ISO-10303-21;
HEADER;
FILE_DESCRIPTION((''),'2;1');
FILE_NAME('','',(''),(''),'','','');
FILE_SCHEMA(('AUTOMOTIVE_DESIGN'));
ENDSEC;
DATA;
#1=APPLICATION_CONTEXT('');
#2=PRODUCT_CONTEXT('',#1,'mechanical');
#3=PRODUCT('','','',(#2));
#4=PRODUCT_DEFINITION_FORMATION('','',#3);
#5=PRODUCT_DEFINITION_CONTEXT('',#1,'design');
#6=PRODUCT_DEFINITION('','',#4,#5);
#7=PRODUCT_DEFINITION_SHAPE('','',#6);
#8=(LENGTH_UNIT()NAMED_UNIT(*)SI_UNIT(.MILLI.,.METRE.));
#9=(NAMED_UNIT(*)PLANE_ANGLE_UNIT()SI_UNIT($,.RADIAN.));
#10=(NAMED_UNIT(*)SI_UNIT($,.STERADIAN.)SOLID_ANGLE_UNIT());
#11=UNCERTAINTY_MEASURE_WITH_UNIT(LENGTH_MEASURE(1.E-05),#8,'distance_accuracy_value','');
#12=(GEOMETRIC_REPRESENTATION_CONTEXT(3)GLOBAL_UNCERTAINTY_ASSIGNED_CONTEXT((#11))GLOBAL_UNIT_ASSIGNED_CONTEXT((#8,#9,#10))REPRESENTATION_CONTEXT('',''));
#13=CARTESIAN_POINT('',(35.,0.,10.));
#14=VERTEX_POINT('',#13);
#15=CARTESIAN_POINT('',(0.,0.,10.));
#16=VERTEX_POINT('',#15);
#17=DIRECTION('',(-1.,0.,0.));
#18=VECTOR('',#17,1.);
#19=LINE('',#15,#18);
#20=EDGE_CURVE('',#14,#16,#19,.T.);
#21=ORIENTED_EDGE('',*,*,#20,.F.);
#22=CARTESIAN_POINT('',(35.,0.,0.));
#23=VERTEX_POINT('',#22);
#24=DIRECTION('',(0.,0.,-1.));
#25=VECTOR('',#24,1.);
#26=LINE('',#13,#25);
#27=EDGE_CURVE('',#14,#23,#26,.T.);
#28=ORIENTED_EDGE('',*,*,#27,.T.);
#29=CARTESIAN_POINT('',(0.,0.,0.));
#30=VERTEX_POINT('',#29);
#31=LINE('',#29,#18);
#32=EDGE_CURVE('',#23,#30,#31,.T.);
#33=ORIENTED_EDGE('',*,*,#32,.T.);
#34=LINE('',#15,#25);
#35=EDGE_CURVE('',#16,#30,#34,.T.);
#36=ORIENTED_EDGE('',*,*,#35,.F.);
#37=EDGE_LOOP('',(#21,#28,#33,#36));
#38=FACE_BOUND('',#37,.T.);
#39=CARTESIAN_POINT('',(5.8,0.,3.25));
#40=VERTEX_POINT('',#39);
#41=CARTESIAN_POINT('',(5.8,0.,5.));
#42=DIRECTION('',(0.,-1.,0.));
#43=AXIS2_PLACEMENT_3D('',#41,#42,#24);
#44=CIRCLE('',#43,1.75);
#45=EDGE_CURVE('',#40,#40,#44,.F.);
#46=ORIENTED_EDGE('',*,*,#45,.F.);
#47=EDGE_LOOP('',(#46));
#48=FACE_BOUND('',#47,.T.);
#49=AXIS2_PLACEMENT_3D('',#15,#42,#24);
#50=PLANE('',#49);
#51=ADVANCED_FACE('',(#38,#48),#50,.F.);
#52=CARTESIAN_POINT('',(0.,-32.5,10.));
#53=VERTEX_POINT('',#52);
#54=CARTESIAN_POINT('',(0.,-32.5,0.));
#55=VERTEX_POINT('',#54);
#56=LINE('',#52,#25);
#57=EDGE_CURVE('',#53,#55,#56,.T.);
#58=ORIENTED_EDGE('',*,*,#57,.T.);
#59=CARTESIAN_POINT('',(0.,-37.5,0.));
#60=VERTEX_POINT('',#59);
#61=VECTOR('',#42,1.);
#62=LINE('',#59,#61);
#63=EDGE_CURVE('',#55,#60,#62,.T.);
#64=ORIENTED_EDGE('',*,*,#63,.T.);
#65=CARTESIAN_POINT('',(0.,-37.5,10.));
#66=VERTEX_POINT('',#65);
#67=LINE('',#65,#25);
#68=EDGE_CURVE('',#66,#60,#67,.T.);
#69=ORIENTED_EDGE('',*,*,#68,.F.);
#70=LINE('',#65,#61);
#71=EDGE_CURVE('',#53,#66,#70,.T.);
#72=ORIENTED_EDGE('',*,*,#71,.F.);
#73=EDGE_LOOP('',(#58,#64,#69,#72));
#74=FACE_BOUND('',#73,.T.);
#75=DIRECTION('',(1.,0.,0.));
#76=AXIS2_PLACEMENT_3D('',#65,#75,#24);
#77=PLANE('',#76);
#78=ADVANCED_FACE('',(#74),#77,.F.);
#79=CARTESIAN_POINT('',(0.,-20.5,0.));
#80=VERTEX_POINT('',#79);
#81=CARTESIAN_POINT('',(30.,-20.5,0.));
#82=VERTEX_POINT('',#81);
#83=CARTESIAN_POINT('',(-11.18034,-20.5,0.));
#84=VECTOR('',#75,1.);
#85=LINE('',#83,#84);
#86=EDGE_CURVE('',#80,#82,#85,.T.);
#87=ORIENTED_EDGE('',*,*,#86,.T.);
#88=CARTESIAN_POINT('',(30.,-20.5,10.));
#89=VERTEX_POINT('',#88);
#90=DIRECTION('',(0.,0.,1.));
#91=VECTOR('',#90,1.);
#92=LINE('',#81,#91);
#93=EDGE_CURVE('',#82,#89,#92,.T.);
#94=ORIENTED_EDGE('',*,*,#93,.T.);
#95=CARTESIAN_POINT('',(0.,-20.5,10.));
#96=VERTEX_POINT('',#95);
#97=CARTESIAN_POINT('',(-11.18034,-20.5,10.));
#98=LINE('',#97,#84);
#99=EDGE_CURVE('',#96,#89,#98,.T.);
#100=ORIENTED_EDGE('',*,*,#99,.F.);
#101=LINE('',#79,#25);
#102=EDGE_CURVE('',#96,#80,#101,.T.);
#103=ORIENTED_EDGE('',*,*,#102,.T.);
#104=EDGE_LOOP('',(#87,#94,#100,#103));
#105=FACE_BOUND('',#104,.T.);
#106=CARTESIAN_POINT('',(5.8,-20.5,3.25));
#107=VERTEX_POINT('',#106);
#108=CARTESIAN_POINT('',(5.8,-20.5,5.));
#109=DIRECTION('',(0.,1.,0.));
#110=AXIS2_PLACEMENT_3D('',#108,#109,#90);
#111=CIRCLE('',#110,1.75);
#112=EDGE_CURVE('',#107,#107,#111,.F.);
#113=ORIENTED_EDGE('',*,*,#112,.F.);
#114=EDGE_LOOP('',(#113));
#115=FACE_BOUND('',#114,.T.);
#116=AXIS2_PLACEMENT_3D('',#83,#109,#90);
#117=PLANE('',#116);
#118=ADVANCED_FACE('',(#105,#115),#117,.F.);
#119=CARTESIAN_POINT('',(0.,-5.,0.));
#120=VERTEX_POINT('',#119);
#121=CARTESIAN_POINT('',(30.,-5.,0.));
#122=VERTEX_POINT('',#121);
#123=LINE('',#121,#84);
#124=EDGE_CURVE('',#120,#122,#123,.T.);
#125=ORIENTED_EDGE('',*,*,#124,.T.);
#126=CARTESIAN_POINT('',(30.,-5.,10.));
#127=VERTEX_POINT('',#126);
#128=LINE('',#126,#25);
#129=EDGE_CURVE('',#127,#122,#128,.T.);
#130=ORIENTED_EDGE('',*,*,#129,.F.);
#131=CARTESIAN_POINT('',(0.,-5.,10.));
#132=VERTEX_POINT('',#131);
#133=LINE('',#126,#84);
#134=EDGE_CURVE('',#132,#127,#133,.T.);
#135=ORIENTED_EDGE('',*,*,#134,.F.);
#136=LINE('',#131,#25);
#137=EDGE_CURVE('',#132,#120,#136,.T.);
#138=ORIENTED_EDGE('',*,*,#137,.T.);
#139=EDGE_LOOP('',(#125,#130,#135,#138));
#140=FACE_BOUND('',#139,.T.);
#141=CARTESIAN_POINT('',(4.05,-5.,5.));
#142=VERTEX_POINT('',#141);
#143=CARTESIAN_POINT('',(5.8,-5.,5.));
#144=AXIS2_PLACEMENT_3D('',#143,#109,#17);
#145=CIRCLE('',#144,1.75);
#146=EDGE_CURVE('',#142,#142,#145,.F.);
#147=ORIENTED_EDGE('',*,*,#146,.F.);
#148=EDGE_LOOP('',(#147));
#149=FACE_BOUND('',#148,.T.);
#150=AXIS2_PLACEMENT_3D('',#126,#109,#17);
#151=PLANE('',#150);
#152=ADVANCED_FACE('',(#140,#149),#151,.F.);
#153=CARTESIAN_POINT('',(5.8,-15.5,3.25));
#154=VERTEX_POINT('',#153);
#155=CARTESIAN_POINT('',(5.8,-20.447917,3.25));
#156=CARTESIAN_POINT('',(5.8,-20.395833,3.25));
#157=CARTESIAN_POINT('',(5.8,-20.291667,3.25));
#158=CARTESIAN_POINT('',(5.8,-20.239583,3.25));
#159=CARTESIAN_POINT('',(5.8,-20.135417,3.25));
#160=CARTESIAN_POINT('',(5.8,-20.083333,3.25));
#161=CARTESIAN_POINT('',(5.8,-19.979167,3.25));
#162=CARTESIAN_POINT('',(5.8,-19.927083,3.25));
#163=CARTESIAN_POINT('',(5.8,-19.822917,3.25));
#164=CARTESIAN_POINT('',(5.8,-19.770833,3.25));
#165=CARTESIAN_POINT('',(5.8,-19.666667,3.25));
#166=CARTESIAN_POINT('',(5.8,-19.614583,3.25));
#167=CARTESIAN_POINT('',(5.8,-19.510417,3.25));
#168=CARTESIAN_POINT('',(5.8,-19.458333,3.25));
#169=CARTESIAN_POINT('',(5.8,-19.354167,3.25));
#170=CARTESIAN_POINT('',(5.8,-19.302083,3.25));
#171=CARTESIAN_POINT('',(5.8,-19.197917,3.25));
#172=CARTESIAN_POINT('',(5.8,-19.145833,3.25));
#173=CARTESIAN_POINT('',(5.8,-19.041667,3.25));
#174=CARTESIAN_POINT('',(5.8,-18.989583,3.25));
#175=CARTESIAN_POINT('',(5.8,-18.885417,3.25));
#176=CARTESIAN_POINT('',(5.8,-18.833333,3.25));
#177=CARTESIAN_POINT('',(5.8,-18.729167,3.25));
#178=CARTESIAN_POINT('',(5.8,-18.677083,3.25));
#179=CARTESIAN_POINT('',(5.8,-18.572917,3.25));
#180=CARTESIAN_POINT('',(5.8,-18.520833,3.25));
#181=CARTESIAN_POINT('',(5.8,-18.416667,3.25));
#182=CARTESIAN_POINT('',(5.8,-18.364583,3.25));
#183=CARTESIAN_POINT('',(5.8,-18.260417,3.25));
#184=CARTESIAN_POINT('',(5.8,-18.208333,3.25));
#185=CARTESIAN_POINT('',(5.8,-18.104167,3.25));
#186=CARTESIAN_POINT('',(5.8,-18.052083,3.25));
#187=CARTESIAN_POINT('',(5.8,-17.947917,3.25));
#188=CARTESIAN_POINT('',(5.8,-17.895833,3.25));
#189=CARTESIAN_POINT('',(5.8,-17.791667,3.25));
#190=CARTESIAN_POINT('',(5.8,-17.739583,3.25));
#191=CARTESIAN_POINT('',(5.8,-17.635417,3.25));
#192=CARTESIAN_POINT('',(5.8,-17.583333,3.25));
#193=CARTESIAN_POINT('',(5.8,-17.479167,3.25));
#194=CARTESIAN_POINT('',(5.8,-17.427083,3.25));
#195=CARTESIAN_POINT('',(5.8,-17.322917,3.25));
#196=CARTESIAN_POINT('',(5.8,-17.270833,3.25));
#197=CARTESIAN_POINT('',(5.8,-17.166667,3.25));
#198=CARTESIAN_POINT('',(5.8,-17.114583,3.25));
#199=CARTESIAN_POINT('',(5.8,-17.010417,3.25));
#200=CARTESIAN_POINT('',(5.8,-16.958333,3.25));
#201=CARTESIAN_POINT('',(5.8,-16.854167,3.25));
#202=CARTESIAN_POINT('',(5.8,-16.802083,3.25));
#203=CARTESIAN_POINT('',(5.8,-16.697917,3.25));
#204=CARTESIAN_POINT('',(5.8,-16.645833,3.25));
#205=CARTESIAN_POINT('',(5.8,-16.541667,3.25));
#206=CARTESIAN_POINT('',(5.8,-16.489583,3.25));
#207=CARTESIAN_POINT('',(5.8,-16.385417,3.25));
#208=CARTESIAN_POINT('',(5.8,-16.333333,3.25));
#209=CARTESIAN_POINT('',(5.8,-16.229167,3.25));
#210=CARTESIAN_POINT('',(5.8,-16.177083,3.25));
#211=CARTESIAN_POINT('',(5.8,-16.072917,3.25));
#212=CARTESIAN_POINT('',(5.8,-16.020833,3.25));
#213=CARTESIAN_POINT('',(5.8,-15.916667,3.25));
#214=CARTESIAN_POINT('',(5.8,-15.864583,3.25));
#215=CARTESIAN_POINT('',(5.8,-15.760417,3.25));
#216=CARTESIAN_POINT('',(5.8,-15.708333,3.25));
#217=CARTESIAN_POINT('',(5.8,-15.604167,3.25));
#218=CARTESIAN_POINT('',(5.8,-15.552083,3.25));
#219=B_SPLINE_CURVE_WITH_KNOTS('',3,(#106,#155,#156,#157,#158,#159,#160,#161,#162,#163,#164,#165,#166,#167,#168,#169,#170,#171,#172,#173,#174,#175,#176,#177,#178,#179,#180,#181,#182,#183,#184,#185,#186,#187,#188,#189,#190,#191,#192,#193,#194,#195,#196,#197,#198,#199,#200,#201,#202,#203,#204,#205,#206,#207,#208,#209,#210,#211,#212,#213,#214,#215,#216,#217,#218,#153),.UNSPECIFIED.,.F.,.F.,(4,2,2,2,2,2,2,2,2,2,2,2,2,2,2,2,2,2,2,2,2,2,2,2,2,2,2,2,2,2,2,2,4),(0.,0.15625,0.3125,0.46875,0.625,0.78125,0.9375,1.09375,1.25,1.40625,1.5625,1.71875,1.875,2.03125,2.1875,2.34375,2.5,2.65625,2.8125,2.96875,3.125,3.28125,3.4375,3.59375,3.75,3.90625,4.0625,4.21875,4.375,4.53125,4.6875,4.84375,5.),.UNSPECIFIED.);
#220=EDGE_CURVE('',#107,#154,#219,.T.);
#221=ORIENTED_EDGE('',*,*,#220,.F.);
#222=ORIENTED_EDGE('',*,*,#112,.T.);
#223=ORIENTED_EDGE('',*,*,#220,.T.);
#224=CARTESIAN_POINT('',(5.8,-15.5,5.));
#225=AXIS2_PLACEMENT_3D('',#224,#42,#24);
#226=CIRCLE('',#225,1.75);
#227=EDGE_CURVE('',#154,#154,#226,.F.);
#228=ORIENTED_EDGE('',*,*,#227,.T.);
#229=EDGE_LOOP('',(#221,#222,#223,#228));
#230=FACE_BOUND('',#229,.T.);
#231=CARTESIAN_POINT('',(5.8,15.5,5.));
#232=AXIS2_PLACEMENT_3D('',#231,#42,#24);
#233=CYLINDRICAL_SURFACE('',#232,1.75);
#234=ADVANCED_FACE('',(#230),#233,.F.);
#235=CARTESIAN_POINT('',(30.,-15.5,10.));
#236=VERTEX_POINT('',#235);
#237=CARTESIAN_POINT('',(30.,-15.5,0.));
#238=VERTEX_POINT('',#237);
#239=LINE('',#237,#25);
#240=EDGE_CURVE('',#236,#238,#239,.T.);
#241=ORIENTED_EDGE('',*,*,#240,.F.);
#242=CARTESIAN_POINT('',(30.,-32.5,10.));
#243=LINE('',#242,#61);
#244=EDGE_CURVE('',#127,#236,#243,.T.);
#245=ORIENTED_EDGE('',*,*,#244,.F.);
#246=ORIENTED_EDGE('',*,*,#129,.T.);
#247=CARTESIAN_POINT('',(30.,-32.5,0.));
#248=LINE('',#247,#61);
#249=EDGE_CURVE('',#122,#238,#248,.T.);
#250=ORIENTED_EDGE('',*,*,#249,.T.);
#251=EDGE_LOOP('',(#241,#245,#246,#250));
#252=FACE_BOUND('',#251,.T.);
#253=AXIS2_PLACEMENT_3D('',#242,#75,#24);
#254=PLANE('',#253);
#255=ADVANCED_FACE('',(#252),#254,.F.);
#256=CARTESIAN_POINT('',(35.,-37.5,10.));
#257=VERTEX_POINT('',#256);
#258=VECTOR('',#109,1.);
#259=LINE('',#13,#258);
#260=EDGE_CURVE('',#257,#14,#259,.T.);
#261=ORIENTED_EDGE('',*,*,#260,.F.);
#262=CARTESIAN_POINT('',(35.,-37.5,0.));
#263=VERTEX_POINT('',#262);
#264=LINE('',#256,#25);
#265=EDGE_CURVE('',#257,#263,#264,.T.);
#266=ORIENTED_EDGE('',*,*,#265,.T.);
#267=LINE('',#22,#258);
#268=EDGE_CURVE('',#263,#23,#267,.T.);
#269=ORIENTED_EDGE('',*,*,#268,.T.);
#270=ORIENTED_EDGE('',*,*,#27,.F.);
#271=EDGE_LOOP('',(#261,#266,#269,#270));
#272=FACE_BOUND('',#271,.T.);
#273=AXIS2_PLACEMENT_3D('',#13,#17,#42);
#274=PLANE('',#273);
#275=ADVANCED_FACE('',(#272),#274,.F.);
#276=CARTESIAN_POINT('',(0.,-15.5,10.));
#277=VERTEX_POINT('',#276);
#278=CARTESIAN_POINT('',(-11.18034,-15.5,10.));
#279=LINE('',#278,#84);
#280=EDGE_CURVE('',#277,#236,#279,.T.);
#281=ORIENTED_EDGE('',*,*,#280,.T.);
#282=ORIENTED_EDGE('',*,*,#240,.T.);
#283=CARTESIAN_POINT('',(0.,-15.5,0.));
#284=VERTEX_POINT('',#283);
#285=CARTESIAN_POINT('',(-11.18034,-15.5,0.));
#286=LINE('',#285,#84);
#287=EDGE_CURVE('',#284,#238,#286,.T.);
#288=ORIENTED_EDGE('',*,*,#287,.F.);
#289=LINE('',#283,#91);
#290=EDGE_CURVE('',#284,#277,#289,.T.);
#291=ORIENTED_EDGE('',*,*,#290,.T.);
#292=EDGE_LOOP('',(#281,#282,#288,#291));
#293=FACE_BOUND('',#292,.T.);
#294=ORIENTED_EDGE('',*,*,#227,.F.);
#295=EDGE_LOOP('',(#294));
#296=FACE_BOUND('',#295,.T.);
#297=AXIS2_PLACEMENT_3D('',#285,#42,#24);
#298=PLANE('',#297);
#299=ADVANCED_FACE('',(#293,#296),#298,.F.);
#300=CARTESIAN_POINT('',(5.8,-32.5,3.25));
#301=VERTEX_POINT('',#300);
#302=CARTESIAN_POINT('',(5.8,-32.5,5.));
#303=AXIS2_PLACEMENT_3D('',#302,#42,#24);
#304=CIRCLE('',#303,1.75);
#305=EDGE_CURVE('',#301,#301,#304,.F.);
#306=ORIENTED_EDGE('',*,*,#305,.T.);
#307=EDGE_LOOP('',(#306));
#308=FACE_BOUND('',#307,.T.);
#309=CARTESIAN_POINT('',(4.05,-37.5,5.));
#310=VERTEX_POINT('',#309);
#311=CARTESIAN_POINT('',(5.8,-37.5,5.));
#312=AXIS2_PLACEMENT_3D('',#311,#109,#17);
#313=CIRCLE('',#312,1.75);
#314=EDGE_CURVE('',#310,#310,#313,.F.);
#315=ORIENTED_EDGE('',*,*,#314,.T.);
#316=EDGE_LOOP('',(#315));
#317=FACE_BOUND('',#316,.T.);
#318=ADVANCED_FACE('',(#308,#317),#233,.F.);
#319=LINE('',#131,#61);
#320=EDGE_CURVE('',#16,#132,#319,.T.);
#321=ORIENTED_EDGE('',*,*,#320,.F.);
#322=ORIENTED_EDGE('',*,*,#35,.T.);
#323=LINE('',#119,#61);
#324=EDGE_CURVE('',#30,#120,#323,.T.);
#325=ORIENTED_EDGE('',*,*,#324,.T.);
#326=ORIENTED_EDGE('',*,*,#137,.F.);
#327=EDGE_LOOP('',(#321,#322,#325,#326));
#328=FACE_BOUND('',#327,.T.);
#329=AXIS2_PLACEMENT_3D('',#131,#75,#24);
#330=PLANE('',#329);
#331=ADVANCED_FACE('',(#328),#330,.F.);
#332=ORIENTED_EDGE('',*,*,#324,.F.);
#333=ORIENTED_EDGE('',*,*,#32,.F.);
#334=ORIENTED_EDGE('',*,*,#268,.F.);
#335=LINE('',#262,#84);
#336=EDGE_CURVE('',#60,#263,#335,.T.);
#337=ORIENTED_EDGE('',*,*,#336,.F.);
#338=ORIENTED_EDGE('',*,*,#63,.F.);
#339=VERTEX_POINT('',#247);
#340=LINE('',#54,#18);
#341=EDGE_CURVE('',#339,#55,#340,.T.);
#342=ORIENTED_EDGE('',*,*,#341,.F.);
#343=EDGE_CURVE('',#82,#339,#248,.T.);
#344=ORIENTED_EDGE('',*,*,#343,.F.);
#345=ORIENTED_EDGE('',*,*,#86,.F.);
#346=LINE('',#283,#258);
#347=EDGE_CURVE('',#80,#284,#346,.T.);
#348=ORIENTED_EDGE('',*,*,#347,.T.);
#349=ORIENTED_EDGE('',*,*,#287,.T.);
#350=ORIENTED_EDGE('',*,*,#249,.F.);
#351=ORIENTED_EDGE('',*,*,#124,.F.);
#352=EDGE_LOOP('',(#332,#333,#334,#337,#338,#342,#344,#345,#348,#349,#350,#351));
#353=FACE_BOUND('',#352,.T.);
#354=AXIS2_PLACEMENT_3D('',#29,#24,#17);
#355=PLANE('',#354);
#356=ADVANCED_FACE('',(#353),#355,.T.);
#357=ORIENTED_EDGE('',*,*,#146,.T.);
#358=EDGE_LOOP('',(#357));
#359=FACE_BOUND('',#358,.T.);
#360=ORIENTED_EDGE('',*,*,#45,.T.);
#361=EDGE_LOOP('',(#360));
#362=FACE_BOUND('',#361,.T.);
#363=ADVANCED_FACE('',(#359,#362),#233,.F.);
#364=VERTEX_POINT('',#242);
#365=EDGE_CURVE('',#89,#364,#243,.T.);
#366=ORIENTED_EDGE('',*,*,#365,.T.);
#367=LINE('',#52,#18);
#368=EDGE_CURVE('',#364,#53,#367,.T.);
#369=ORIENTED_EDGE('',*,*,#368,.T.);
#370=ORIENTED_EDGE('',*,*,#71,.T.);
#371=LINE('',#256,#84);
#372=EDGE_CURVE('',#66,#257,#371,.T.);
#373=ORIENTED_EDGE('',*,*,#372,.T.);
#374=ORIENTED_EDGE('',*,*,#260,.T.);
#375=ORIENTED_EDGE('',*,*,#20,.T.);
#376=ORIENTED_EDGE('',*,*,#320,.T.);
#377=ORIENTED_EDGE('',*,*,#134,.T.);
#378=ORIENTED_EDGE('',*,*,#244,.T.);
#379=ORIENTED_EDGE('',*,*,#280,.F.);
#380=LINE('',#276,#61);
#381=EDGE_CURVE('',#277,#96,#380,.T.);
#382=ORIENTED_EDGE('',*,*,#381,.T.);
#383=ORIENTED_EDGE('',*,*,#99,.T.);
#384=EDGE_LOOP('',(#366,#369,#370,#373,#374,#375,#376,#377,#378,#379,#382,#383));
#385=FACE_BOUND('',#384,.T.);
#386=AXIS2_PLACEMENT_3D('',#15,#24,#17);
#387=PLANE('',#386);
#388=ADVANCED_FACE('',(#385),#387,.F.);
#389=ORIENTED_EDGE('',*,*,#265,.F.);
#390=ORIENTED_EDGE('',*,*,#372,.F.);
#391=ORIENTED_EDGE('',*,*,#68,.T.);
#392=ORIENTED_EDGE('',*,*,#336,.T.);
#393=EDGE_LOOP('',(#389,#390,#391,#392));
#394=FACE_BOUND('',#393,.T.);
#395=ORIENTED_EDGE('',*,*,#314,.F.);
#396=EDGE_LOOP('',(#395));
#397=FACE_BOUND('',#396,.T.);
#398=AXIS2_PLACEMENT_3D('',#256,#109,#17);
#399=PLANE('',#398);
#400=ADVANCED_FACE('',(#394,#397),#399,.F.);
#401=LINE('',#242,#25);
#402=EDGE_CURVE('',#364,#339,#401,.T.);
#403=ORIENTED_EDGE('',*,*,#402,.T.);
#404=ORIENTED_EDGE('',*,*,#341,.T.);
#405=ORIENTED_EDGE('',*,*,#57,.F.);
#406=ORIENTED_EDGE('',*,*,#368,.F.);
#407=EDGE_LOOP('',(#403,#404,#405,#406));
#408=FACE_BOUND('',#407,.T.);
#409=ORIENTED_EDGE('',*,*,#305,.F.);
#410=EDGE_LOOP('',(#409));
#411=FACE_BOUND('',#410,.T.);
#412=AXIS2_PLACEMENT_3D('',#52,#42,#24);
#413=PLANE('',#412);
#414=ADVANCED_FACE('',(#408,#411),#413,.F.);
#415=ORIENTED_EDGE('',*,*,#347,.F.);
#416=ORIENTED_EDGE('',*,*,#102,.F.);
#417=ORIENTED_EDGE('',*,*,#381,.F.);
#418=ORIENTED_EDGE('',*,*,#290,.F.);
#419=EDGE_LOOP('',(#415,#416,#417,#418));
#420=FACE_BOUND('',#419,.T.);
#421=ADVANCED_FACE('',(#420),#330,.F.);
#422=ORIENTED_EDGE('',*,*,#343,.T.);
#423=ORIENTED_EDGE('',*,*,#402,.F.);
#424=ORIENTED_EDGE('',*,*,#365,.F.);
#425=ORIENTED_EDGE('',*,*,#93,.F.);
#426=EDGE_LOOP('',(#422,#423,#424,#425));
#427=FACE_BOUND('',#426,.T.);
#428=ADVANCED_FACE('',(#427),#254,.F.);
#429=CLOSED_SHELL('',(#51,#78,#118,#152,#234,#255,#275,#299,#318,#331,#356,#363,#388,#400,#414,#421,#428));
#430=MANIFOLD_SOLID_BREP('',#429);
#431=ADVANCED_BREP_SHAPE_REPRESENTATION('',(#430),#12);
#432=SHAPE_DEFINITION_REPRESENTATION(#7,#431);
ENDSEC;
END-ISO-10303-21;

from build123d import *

# Parameters (mm, degrees)
Y_KSEKLIK_EKSTR_ZYON1_DEPTH = 10
IZIM2_R                     = 1.7
KES_EKSTR_ZYON1_DEPTH       = 47
IZIM3_W                     = 10
IZIM3_H                     = 5
Y_KSEKLIK_EKSTR_ZYON2_DEPTH = 30
KES_EKSTR_ZYON2_DEPTH       = 31
KES_EKSTR_ZYON2_DEPTH_BACK  = 31
IZIM4_R                     = 1.75


with BuildPart() as part:
    # Çizim1 → Yükseklik-Ekstrüzyon1 (new body)
    with BuildSketch(Plane.XY):
        Polygon((0, 0), (35, 0), (35, -37.5), (0, -37.5), (0, -32.5), (30, -32.5), (30, -5), (0, -5), align=None)
    extrude(amount=Y_KSEKLIK_EKSTR_ZYON1_DEPTH)

    # Çizim2 → Kes-Ekstrüzyon1 (cut)
    with BuildSketch(Plane(origin=(0, 0, 0), x_dir=(1, 0, 0), z_dir=(0, 1, 0))):
        with Locations(Location((5.8, -5, 0), (0, 0, 270))):
            Circle(IZIM2_R)
    extrude(amount=-KES_EKSTR_ZYON1_DEPTH, mode=Mode.SUBTRACT)

    # Çizim3 → Yükseklik-Ekstrüzyon2 (add)
    with BuildSketch(Plane.ZY.offset(-30)):
        with Locations((5, -18)):
            Rectangle(IZIM3_W, IZIM3_H)
    extrude(amount=Y_KSEKLIK_EKSTR_ZYON2_DEPTH)

    # Çizim4 → Kes-Ekstrüzyon2 (cut, two sides: drawn at the far end of the back side and taken through both)
    with BuildSketch(Plane(origin=(0, -15.5, 0), x_dir=(1, 0, 0), z_dir=(0, 1, 0)).offset(-KES_EKSTR_ZYON2_DEPTH_BACK)):
        with Locations(Location((5.8, -5, 0), (0, 0, 90))):
            Circle(IZIM4_R)
    extrude(amount=KES_EKSTR_ZYON2_DEPTH + KES_EKSTR_ZYON2_DEPTH_BACK, mode=Mode.SUBTRACT)


solid = part.part
